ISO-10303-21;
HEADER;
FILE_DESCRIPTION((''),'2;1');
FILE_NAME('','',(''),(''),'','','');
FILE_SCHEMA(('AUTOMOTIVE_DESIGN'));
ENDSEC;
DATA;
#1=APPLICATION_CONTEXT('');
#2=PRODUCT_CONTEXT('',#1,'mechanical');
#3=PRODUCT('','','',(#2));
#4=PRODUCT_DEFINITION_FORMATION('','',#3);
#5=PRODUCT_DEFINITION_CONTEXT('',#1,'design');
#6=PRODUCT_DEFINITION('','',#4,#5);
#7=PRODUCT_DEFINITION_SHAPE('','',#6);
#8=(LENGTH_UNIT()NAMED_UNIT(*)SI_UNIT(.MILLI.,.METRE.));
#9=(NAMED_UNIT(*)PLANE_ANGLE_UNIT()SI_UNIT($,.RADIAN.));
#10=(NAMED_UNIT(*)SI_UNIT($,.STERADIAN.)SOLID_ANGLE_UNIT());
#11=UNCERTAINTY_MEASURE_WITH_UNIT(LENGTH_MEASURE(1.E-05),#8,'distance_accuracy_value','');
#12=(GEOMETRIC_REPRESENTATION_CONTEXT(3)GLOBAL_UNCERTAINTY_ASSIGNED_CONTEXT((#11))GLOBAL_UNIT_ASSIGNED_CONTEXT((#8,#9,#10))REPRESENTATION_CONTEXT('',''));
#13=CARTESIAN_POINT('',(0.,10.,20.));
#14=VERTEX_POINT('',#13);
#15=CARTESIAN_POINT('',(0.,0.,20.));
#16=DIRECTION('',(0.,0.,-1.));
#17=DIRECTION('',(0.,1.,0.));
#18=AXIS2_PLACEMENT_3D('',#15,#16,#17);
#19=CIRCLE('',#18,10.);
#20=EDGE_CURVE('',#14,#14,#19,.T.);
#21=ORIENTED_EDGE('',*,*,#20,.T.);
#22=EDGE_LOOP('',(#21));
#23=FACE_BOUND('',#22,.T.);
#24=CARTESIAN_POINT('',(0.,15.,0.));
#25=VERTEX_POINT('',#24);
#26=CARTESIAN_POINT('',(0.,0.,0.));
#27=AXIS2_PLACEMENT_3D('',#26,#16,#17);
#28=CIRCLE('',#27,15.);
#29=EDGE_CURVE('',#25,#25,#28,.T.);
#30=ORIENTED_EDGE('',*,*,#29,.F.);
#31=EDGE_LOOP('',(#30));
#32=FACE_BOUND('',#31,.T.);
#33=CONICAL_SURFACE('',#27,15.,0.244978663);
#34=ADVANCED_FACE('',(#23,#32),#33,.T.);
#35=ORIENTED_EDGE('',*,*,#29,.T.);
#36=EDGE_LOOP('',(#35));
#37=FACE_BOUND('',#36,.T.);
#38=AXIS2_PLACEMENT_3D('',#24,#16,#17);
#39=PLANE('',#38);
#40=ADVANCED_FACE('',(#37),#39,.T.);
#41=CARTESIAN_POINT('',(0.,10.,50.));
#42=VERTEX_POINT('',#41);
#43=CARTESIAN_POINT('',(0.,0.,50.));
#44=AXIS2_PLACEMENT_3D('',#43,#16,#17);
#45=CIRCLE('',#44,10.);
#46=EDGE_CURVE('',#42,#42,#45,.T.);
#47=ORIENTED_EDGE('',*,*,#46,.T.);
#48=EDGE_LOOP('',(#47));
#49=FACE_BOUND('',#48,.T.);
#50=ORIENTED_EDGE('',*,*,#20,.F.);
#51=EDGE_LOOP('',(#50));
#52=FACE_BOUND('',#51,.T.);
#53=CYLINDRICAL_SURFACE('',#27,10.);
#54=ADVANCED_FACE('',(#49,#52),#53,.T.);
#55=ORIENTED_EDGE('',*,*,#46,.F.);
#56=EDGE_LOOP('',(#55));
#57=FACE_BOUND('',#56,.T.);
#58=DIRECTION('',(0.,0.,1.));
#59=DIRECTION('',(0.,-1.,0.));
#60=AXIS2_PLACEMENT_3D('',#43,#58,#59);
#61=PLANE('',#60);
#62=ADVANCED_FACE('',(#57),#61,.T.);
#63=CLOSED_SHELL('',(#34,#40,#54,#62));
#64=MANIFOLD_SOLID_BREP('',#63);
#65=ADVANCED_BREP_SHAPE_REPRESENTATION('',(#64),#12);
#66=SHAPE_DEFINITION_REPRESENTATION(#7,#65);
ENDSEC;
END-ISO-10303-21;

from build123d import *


with BuildPart() as part:
    # Sketch1 → Revolve1 (revolve)
    with BuildSketch(Plane(origin=(0, 0, 0), x_dir=(0, 0, -1), z_dir=(1, 0, 0))):
        Polygon((0, 0), (-50, 0), (-50, 10), (-20, 10), (0, 15), align=None)
    revolve(axis=Axis((0, 0, 0), (0, 0, 1)))


solid = part.part
